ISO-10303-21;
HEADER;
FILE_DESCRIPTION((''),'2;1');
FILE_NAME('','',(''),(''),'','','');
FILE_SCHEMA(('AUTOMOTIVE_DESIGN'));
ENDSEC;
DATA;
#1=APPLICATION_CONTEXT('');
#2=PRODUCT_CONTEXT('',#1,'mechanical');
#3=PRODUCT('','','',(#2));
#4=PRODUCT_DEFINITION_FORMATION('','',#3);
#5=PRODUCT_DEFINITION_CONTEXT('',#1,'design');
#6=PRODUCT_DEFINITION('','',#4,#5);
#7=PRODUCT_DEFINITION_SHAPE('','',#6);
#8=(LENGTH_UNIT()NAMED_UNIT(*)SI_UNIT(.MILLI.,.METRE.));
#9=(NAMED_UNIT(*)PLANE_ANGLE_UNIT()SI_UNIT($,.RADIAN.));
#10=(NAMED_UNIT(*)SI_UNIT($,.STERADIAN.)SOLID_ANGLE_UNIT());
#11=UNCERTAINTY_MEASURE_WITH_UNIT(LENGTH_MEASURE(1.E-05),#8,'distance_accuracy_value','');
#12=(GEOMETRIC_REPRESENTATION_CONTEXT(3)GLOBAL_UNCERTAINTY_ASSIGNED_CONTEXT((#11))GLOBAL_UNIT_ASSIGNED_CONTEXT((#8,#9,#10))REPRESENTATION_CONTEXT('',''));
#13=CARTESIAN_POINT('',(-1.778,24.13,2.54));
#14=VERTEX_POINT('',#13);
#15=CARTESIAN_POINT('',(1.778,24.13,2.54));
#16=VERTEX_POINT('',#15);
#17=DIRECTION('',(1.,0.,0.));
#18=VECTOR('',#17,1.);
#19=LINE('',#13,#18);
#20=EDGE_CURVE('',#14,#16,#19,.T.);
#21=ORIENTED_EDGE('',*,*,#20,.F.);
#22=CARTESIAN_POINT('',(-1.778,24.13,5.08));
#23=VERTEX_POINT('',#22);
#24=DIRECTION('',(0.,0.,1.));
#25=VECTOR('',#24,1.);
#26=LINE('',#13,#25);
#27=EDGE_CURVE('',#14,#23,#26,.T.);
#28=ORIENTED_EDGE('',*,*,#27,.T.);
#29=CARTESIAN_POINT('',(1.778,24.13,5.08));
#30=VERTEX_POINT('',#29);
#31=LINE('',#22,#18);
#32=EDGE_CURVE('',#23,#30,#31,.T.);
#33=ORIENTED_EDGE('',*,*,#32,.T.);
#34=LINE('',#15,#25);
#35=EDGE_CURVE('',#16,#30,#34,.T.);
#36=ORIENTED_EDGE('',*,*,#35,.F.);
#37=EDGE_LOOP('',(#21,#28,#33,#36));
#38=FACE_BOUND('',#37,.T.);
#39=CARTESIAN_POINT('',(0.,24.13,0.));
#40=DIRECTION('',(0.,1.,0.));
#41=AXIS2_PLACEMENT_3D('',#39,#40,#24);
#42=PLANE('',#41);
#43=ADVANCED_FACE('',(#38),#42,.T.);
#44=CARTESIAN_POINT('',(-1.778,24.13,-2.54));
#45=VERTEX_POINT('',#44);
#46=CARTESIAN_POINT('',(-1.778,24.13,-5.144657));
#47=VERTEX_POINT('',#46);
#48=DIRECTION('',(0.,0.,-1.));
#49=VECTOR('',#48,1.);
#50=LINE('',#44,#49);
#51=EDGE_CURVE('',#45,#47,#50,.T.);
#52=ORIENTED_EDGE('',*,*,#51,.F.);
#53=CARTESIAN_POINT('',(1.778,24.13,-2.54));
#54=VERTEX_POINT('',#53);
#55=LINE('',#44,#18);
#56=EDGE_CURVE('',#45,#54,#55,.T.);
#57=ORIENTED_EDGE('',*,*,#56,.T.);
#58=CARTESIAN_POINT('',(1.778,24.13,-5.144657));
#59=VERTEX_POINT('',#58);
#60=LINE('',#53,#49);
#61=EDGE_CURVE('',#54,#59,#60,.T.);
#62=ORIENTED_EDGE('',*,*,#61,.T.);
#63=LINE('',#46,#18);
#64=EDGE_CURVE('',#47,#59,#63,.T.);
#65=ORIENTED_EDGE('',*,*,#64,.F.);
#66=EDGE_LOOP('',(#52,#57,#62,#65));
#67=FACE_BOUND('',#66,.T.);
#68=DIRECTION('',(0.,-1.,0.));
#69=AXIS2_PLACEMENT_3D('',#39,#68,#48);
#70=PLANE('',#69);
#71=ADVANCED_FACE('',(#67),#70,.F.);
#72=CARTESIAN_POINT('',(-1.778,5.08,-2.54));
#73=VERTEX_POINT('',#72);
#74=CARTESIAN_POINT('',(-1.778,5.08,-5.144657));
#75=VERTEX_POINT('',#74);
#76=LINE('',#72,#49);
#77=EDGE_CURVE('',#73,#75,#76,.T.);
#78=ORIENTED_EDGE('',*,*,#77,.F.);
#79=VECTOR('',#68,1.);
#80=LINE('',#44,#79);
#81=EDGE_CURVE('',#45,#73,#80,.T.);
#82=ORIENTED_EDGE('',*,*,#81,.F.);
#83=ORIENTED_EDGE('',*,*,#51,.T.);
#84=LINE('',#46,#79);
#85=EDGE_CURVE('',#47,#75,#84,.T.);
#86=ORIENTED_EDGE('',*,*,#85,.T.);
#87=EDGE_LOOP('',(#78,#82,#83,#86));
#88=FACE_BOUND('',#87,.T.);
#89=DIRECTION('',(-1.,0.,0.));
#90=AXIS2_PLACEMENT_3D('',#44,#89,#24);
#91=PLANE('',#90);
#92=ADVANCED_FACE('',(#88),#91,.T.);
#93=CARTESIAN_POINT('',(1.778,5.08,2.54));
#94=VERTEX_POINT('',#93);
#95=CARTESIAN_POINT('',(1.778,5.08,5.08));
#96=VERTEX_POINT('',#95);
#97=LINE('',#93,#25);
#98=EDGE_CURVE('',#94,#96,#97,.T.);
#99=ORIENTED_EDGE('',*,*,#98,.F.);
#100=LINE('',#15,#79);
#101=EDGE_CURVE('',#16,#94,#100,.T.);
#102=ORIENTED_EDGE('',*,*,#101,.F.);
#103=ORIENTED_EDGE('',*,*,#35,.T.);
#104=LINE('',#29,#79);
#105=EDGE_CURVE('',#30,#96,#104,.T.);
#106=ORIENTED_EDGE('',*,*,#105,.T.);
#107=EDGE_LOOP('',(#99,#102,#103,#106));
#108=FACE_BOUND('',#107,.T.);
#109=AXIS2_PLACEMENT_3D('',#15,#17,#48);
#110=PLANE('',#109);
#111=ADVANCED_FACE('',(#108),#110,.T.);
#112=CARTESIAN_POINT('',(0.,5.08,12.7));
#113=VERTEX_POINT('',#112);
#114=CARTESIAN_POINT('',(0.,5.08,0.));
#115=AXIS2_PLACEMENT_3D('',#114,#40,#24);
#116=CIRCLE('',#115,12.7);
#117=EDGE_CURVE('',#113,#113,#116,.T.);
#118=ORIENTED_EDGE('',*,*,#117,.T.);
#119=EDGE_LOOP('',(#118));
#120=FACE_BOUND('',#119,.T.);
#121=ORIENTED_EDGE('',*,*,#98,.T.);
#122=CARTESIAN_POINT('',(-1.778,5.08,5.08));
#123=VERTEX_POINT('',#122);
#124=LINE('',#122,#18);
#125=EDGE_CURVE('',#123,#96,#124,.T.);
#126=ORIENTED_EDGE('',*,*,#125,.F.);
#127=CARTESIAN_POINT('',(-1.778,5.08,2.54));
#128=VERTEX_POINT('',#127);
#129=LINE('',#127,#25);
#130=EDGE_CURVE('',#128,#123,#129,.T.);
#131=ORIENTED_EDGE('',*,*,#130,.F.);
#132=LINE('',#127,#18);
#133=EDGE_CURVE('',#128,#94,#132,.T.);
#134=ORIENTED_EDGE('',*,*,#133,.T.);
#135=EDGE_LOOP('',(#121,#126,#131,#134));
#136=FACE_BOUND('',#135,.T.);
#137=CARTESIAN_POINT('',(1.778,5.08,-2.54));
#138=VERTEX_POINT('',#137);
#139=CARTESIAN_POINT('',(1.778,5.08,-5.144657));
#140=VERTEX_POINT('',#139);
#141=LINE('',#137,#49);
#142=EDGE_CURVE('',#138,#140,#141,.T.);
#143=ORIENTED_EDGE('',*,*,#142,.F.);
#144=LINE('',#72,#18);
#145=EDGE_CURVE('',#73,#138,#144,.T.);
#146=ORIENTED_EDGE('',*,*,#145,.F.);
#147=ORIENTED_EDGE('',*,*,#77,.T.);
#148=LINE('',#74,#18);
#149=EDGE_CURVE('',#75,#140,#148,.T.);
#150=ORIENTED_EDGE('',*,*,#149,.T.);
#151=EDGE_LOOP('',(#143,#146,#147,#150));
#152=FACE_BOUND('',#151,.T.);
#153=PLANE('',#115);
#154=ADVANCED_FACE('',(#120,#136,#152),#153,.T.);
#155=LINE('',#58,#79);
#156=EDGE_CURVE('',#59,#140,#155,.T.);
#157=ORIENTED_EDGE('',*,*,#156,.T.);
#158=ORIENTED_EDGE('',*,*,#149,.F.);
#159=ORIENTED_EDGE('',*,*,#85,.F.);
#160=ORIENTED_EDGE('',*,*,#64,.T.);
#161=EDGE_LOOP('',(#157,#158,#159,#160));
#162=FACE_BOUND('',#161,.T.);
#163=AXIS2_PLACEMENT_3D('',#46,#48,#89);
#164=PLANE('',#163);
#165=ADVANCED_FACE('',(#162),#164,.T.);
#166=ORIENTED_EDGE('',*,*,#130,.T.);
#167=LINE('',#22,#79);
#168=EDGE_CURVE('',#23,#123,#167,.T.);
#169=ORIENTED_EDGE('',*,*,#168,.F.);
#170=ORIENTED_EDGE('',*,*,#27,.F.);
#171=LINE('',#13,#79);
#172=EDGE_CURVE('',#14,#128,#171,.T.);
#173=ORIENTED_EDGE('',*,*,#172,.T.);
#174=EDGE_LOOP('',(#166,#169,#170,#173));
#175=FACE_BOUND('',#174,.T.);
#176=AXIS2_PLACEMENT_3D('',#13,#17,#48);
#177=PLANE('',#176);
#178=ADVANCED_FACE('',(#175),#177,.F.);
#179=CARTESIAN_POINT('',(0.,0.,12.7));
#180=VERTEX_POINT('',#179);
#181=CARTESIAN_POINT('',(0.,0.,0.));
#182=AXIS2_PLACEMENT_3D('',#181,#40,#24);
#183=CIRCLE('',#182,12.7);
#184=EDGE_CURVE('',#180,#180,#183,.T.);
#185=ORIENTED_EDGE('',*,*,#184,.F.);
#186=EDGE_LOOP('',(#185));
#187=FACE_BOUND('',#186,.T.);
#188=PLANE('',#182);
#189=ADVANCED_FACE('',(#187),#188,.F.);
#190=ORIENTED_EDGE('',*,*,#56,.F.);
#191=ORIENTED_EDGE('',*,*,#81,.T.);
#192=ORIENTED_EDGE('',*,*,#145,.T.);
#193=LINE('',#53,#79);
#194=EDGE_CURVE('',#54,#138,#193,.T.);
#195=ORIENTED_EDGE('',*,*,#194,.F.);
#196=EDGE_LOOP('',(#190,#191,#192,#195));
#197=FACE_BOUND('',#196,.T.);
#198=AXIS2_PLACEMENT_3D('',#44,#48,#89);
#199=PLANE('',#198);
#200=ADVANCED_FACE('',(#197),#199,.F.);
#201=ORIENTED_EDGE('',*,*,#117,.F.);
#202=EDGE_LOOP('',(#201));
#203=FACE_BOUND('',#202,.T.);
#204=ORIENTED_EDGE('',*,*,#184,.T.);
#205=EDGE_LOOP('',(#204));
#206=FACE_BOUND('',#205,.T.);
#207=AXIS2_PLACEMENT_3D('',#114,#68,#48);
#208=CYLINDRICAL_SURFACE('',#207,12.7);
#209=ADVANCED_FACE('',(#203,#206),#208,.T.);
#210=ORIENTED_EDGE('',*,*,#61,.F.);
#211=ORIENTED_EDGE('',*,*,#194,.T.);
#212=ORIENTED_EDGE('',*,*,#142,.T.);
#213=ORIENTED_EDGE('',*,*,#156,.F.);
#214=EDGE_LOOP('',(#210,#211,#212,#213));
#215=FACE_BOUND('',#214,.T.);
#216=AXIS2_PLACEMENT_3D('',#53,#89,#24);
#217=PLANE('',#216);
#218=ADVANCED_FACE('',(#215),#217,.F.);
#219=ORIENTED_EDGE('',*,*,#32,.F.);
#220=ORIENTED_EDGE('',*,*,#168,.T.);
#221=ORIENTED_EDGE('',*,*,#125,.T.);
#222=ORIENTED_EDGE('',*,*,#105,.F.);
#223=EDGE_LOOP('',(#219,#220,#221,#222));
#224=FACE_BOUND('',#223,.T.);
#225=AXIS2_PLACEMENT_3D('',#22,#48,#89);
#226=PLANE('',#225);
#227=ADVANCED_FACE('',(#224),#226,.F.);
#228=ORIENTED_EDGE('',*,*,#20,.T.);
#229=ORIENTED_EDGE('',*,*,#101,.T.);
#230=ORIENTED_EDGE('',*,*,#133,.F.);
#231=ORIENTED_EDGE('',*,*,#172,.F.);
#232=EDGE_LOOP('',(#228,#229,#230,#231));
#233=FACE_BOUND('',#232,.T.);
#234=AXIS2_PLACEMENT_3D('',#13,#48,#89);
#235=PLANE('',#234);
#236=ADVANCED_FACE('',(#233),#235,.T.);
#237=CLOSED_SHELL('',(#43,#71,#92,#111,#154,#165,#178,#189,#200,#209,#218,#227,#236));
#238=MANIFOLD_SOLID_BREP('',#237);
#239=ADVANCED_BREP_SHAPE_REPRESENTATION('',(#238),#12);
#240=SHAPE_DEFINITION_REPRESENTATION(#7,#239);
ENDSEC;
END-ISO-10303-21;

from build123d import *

# Parameters (mm, degrees)
SKETCH1_R           = 12.7
BOSS_EXTRUDE1_DEPTH = 5.08
SKETCH2_W           = 3.556
SKETCH2_H           = 2.604656918
SKETCH2_H_2         = 2.54
BOSS_EXTRUDE2_DEPTH = 19.05


with BuildPart() as part:
    # Sketch1 → Boss-Extrude1 (new body)
    with BuildSketch(Plane(origin=(0, 0, 0), x_dir=(1, 0, 0), z_dir=(0, 1, 0))):
        Circle(SKETCH1_R)
    extrude(amount=BOSS_EXTRUDE1_DEPTH)

    # Sketch2 → Boss-Extrude2 (add)
    with BuildSketch(Plane(origin=(0, 5.08, 0), x_dir=(1, 0, 0), z_dir=(0, 1, 0))):
        with Locations((0, 3.842328459)):
            Rectangle(SKETCH2_W, SKETCH2_H)
        with Locations((0, -3.81)):
            Rectangle(SKETCH2_W, SKETCH2_H_2)
    extrude(amount=BOSS_EXTRUDE2_DEPTH)


solid = part.part
